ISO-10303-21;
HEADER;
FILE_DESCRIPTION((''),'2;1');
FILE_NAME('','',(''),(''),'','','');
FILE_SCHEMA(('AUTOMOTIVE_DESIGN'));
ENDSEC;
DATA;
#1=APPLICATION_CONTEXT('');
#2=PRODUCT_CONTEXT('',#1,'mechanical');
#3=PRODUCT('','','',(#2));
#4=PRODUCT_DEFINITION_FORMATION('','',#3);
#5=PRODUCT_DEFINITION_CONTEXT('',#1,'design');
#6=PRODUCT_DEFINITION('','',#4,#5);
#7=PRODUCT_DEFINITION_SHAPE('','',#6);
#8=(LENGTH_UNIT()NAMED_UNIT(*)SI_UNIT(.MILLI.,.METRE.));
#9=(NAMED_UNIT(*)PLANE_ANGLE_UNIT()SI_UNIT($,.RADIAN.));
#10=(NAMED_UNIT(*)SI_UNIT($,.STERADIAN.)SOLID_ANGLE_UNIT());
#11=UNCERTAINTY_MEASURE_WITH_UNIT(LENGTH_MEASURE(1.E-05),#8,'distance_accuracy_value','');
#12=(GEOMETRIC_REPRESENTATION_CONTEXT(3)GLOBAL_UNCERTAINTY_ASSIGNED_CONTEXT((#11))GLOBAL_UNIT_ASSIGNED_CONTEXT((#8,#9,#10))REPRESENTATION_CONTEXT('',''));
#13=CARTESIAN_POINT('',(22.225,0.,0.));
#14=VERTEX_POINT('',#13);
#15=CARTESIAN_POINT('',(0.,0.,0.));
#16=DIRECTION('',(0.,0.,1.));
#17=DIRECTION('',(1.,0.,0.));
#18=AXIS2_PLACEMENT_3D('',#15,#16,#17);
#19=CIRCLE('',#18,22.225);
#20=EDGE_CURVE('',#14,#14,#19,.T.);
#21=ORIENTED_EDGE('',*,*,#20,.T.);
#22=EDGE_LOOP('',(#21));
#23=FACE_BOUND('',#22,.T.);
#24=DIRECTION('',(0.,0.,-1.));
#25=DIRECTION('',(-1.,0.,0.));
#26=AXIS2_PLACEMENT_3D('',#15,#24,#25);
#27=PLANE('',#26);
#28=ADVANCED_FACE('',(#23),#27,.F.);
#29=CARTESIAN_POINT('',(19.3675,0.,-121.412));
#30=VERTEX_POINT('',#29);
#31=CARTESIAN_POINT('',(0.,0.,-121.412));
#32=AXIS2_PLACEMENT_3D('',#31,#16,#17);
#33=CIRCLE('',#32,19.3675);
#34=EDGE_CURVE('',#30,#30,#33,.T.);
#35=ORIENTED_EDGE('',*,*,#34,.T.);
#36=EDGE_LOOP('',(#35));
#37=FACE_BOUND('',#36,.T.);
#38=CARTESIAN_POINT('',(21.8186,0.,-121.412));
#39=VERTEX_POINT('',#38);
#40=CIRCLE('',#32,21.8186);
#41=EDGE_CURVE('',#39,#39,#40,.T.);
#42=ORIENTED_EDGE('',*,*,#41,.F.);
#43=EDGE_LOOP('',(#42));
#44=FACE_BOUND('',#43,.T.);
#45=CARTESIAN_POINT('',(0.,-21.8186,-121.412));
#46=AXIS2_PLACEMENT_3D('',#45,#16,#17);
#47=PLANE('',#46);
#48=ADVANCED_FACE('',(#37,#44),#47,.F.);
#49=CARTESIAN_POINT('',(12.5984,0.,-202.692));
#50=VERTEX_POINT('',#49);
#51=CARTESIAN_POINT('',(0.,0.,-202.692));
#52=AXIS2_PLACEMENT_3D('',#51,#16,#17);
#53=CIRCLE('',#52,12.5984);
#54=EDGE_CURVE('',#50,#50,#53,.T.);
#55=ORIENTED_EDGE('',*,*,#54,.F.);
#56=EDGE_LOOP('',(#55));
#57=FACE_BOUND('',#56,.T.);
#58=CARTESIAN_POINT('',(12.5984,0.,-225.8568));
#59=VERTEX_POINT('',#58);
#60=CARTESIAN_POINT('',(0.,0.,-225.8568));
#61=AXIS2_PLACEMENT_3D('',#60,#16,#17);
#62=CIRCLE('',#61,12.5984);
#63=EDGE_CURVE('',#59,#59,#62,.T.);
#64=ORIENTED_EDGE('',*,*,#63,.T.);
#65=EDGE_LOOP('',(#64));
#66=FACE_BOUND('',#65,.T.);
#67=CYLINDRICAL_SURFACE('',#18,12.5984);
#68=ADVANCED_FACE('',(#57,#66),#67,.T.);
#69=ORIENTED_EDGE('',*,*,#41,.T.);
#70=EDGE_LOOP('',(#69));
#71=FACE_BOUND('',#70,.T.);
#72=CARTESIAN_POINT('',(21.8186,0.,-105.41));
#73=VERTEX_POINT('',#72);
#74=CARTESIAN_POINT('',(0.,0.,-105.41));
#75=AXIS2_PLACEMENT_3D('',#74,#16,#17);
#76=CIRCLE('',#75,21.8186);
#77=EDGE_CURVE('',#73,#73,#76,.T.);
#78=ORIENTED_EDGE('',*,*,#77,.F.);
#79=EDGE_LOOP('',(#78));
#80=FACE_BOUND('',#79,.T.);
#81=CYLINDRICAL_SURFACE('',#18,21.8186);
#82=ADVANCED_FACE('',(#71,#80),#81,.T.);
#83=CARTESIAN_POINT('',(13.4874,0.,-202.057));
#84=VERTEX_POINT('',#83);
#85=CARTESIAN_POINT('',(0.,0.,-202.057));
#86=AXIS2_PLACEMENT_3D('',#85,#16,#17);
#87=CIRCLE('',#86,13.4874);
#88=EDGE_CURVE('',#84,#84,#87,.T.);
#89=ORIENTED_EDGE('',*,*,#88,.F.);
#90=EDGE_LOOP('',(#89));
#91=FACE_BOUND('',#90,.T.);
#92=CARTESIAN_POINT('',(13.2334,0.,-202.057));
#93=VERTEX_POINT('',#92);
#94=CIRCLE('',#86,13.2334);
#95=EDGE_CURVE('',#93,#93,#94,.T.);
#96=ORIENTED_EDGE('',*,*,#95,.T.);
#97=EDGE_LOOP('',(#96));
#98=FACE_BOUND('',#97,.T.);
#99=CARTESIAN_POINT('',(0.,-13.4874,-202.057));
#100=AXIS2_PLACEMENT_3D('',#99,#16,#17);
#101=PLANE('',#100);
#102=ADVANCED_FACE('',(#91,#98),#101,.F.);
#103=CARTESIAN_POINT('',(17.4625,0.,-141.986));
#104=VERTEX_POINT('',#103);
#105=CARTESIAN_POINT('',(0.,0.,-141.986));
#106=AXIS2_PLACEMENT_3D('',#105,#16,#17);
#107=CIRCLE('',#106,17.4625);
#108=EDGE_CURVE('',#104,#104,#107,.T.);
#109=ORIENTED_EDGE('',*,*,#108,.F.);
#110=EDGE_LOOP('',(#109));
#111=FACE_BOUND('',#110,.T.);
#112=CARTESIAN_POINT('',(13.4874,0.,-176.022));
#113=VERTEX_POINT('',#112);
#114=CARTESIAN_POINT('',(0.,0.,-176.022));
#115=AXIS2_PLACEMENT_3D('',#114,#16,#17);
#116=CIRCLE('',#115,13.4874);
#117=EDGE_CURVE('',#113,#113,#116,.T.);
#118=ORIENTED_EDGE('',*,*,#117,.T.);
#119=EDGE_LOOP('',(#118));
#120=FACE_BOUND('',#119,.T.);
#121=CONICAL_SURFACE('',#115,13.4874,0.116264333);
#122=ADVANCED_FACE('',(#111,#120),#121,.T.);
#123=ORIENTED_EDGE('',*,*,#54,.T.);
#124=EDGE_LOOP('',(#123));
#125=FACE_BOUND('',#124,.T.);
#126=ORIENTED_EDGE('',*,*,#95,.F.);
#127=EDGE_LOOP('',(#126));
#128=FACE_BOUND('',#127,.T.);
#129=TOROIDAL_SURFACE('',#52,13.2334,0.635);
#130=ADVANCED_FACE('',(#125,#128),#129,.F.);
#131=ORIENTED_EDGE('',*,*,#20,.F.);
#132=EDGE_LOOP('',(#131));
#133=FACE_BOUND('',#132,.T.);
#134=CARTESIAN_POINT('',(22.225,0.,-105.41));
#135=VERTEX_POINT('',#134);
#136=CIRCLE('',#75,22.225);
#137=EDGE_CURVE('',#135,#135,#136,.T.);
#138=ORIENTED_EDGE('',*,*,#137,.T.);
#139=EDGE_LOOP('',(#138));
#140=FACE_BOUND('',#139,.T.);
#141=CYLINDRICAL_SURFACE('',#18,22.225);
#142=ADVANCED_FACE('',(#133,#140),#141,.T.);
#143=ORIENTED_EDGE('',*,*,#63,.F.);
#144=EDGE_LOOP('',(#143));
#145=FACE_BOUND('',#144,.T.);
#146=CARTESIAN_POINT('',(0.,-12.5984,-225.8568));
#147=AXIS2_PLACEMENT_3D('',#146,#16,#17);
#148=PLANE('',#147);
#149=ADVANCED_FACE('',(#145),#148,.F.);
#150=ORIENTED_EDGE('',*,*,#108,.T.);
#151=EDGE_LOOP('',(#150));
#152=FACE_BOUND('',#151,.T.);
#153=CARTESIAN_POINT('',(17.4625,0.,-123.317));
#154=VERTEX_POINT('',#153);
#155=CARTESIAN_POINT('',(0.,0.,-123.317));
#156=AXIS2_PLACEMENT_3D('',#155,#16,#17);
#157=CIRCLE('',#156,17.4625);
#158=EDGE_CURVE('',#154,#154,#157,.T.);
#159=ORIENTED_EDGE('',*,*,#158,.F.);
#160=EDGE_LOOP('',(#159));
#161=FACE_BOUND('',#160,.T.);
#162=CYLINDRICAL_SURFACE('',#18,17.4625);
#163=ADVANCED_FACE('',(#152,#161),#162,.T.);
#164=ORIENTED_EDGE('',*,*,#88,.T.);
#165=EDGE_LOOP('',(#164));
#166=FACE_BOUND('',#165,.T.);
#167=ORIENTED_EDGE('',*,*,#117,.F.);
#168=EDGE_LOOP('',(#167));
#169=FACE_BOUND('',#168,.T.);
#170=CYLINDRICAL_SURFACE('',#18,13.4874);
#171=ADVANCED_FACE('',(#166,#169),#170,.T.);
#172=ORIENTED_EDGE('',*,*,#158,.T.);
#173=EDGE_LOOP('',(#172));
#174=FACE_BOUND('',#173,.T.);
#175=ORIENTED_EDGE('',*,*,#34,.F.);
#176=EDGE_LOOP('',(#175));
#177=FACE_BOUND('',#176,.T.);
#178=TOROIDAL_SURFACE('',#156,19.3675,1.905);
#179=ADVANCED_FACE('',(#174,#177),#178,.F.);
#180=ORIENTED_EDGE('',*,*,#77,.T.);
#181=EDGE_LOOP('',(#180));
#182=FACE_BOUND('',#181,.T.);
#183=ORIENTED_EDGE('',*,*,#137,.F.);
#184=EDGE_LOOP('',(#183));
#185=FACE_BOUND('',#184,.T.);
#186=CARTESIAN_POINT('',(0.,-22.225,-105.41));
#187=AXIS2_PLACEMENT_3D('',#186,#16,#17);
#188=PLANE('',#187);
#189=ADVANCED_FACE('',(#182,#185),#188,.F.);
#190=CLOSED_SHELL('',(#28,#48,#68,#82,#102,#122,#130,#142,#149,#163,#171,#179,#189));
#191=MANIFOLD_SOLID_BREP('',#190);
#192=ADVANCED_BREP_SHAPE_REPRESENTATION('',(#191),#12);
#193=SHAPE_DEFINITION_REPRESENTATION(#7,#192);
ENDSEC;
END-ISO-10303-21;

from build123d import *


with BuildPart() as part:
    # Sketch1 → Revolve1 (revolve)
    with BuildSketch(Plane(origin=(0, 0, 0), x_dir=(0, 0, -1), z_dir=(1, 0, 0)), mode=Mode.PRIVATE) as revolve1_sk:
        with BuildLine():
            Line((0, 0), (0, 22.225))
            Line((0, 22.225), (105.41, 22.225))
            Line((105.41, 22.225), (105.41, 21.8186))
            Line((105.41, 21.8186), (121.412, 21.8186))
            Line((121.412, 21.8186), (121.412, 19.3675))
            ThreePointArc((121.412, 19.3675), (121.969961582, 18.020461582), (123.317, 17.4625))
            Line((123.317, 17.4625), (141.986, 17.4625))
            Line((141.986, 17.4625), (176.022, 13.4874))
            Line((176.022, 13.4874), (202.057, 13.4874))
            Line((202.057, 13.4874), (202.057, 13.2334))
            ThreePointArc((202.057, 13.2334), (202.242987194, 12.784387194), (202.692, 12.5984))
            Line((202.692, 12.5984), (204.597, 12.5984))
            Line((204.597, 12.5984), (225.8568, 12.5984))
            Line((225.8568, 12.5984), (225.8568, 0))
            Line((225.8568, 0), (0, 0))
        make_face()
    revolve(revolve1_sk.sketch.rotate(Axis((0, 0, 0), (0, 0, -1)), 90), axis=Axis((0, 0, 0), (0, 0, -1)))


solid = part.part
